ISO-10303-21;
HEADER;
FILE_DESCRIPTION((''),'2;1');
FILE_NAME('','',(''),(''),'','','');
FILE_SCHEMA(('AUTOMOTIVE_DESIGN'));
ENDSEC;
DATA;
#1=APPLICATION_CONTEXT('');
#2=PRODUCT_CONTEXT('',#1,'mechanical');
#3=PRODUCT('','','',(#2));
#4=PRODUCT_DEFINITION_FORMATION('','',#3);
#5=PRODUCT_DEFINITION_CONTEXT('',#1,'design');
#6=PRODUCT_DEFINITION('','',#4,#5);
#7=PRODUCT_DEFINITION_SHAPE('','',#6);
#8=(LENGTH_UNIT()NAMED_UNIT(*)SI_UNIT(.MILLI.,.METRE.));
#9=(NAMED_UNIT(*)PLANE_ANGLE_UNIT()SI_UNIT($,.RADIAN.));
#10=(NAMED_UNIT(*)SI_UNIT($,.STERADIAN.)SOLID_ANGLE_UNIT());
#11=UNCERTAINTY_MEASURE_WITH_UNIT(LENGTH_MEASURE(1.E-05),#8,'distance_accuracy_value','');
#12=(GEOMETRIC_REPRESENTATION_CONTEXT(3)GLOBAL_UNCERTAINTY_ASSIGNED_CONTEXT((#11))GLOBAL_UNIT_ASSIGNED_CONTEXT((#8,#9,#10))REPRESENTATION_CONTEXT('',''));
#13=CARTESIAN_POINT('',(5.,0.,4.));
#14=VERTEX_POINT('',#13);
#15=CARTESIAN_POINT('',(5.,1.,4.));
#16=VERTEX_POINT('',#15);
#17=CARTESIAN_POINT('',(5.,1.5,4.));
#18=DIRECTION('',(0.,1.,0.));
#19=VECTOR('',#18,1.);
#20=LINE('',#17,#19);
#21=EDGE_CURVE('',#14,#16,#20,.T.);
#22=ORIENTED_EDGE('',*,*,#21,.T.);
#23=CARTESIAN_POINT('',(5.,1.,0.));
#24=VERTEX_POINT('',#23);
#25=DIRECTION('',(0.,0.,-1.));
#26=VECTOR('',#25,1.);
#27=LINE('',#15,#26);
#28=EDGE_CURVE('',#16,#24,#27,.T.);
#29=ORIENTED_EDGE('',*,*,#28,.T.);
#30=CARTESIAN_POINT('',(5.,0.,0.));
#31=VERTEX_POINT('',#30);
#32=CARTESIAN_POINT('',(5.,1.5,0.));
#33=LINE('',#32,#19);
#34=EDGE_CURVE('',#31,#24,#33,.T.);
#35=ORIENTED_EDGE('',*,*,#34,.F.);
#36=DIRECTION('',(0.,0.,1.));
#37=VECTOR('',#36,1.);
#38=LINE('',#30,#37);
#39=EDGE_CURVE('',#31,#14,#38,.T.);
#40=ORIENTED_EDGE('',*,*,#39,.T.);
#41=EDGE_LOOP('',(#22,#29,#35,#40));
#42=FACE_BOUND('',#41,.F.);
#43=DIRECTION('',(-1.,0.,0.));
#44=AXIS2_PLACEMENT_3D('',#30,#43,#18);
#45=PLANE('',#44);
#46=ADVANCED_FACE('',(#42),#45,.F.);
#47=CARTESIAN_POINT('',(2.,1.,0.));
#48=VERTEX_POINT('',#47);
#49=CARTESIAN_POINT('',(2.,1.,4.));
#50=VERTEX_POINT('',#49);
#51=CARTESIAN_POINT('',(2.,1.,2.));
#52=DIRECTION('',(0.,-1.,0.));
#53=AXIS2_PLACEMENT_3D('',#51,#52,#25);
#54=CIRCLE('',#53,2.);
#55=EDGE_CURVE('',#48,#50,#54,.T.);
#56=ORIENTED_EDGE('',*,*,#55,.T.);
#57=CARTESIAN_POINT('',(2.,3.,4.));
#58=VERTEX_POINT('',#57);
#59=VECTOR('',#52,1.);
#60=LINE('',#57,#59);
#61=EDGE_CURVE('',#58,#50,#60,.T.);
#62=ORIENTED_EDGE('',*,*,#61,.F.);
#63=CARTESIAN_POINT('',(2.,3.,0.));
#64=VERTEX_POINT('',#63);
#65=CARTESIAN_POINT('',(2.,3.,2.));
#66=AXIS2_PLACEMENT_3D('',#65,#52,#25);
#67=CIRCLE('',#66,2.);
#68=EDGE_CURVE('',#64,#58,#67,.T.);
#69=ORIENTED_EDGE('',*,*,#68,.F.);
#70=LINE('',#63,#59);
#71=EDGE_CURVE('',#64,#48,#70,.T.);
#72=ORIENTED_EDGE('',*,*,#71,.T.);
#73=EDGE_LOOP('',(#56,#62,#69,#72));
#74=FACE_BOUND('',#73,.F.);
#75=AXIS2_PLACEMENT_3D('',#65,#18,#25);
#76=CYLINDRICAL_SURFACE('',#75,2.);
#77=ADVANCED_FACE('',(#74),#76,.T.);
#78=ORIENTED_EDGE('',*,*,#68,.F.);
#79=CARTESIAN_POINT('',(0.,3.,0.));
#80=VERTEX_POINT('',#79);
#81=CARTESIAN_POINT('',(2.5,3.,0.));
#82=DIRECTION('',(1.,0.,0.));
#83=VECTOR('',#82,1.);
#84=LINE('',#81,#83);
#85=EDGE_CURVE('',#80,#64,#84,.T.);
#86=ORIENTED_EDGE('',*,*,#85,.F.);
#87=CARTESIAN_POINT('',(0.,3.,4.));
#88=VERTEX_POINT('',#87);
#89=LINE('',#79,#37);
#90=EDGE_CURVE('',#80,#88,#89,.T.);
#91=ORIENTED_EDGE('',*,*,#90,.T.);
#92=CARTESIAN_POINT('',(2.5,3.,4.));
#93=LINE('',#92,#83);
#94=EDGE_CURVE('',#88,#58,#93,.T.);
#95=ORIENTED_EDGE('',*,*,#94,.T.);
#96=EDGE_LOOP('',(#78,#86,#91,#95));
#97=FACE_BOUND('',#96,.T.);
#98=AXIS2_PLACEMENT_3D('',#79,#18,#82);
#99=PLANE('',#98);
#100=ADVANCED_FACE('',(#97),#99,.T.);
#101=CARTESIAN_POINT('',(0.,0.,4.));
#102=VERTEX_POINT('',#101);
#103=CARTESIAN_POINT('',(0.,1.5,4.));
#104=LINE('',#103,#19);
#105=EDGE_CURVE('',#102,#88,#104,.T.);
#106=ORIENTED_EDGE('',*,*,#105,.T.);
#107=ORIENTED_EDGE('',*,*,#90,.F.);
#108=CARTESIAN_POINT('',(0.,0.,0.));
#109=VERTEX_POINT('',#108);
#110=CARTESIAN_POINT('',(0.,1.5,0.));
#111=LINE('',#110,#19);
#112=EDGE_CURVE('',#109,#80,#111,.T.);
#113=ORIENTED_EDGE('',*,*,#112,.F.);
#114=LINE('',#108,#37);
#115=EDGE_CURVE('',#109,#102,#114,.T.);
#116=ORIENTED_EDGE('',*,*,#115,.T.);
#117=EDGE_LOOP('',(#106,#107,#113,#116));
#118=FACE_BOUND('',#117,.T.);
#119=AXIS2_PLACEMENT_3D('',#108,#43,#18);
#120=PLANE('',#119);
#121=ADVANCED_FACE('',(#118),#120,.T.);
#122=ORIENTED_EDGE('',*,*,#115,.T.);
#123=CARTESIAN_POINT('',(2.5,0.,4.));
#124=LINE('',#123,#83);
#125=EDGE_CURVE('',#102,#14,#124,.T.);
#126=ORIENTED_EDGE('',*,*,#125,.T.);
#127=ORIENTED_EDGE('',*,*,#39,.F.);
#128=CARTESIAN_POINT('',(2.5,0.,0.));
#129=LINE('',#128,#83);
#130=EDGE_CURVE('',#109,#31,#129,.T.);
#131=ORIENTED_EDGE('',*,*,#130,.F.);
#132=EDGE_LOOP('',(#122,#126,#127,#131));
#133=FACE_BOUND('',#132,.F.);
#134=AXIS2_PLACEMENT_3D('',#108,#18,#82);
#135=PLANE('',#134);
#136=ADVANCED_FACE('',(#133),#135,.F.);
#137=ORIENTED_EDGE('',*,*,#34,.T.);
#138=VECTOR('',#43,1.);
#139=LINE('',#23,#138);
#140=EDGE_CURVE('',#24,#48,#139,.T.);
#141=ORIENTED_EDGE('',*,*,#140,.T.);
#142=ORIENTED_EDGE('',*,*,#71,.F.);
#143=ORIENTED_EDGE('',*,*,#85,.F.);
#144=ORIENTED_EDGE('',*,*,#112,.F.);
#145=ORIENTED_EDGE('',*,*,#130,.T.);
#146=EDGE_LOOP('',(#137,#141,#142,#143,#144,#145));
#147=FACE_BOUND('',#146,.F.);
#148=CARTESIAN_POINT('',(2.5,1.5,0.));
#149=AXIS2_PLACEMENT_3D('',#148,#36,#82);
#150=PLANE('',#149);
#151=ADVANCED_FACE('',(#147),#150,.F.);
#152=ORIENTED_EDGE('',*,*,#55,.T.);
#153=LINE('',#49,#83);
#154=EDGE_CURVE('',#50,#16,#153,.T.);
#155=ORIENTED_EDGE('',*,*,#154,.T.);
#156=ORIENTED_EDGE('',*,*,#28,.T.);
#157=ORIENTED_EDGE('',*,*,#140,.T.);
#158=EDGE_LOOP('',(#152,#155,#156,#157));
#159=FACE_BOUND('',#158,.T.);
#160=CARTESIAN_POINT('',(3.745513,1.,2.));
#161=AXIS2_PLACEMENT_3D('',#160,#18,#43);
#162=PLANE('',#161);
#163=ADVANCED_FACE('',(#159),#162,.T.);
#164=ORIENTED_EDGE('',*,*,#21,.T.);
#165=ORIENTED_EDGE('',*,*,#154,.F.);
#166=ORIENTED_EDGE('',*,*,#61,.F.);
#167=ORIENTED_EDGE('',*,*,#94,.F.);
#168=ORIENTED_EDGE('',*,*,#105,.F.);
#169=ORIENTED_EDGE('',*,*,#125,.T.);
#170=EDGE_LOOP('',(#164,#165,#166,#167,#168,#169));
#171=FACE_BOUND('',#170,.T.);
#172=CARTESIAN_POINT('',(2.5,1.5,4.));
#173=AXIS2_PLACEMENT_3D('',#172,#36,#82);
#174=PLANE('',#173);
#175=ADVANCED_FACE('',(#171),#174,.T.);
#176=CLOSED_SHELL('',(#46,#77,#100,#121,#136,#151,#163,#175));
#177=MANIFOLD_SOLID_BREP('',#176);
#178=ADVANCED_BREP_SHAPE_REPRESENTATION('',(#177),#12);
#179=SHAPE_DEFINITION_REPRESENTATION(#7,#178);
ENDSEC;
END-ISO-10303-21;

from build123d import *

# Parameters (mm, degrees)
F0_W     = 5
F0_H     = 3
F1_DEPTH = 4
F3_DEPTH = 2


with BuildPart() as f1:
    # F0 (on Top) → F1 (new body)
    with BuildSketch(Plane.XY):
        with Locations((2.5, 1.5)):
            Rectangle(F0_W, F0_H)
    extrude(amount=F1_DEPTH)

    # F2 (on face) → F3 (cut)
    with BuildSketch(Plane(origin=(0, 3, 0), x_dir=(-1, 0, 0), z_dir=(0, 1, 0))):
        with BuildLine():
            Line((-5, 0), (-2, 0))
            ThreePointArc((-2, 0), (-4, 2), (-2, 4))
            Line((-2, 4), (-5, 4))
            Line((-5, 4), (-5, 0))
        make_face()
    extrude(amount=-F3_DEPTH, mode=Mode.SUBTRACT)


solid = f1.part
